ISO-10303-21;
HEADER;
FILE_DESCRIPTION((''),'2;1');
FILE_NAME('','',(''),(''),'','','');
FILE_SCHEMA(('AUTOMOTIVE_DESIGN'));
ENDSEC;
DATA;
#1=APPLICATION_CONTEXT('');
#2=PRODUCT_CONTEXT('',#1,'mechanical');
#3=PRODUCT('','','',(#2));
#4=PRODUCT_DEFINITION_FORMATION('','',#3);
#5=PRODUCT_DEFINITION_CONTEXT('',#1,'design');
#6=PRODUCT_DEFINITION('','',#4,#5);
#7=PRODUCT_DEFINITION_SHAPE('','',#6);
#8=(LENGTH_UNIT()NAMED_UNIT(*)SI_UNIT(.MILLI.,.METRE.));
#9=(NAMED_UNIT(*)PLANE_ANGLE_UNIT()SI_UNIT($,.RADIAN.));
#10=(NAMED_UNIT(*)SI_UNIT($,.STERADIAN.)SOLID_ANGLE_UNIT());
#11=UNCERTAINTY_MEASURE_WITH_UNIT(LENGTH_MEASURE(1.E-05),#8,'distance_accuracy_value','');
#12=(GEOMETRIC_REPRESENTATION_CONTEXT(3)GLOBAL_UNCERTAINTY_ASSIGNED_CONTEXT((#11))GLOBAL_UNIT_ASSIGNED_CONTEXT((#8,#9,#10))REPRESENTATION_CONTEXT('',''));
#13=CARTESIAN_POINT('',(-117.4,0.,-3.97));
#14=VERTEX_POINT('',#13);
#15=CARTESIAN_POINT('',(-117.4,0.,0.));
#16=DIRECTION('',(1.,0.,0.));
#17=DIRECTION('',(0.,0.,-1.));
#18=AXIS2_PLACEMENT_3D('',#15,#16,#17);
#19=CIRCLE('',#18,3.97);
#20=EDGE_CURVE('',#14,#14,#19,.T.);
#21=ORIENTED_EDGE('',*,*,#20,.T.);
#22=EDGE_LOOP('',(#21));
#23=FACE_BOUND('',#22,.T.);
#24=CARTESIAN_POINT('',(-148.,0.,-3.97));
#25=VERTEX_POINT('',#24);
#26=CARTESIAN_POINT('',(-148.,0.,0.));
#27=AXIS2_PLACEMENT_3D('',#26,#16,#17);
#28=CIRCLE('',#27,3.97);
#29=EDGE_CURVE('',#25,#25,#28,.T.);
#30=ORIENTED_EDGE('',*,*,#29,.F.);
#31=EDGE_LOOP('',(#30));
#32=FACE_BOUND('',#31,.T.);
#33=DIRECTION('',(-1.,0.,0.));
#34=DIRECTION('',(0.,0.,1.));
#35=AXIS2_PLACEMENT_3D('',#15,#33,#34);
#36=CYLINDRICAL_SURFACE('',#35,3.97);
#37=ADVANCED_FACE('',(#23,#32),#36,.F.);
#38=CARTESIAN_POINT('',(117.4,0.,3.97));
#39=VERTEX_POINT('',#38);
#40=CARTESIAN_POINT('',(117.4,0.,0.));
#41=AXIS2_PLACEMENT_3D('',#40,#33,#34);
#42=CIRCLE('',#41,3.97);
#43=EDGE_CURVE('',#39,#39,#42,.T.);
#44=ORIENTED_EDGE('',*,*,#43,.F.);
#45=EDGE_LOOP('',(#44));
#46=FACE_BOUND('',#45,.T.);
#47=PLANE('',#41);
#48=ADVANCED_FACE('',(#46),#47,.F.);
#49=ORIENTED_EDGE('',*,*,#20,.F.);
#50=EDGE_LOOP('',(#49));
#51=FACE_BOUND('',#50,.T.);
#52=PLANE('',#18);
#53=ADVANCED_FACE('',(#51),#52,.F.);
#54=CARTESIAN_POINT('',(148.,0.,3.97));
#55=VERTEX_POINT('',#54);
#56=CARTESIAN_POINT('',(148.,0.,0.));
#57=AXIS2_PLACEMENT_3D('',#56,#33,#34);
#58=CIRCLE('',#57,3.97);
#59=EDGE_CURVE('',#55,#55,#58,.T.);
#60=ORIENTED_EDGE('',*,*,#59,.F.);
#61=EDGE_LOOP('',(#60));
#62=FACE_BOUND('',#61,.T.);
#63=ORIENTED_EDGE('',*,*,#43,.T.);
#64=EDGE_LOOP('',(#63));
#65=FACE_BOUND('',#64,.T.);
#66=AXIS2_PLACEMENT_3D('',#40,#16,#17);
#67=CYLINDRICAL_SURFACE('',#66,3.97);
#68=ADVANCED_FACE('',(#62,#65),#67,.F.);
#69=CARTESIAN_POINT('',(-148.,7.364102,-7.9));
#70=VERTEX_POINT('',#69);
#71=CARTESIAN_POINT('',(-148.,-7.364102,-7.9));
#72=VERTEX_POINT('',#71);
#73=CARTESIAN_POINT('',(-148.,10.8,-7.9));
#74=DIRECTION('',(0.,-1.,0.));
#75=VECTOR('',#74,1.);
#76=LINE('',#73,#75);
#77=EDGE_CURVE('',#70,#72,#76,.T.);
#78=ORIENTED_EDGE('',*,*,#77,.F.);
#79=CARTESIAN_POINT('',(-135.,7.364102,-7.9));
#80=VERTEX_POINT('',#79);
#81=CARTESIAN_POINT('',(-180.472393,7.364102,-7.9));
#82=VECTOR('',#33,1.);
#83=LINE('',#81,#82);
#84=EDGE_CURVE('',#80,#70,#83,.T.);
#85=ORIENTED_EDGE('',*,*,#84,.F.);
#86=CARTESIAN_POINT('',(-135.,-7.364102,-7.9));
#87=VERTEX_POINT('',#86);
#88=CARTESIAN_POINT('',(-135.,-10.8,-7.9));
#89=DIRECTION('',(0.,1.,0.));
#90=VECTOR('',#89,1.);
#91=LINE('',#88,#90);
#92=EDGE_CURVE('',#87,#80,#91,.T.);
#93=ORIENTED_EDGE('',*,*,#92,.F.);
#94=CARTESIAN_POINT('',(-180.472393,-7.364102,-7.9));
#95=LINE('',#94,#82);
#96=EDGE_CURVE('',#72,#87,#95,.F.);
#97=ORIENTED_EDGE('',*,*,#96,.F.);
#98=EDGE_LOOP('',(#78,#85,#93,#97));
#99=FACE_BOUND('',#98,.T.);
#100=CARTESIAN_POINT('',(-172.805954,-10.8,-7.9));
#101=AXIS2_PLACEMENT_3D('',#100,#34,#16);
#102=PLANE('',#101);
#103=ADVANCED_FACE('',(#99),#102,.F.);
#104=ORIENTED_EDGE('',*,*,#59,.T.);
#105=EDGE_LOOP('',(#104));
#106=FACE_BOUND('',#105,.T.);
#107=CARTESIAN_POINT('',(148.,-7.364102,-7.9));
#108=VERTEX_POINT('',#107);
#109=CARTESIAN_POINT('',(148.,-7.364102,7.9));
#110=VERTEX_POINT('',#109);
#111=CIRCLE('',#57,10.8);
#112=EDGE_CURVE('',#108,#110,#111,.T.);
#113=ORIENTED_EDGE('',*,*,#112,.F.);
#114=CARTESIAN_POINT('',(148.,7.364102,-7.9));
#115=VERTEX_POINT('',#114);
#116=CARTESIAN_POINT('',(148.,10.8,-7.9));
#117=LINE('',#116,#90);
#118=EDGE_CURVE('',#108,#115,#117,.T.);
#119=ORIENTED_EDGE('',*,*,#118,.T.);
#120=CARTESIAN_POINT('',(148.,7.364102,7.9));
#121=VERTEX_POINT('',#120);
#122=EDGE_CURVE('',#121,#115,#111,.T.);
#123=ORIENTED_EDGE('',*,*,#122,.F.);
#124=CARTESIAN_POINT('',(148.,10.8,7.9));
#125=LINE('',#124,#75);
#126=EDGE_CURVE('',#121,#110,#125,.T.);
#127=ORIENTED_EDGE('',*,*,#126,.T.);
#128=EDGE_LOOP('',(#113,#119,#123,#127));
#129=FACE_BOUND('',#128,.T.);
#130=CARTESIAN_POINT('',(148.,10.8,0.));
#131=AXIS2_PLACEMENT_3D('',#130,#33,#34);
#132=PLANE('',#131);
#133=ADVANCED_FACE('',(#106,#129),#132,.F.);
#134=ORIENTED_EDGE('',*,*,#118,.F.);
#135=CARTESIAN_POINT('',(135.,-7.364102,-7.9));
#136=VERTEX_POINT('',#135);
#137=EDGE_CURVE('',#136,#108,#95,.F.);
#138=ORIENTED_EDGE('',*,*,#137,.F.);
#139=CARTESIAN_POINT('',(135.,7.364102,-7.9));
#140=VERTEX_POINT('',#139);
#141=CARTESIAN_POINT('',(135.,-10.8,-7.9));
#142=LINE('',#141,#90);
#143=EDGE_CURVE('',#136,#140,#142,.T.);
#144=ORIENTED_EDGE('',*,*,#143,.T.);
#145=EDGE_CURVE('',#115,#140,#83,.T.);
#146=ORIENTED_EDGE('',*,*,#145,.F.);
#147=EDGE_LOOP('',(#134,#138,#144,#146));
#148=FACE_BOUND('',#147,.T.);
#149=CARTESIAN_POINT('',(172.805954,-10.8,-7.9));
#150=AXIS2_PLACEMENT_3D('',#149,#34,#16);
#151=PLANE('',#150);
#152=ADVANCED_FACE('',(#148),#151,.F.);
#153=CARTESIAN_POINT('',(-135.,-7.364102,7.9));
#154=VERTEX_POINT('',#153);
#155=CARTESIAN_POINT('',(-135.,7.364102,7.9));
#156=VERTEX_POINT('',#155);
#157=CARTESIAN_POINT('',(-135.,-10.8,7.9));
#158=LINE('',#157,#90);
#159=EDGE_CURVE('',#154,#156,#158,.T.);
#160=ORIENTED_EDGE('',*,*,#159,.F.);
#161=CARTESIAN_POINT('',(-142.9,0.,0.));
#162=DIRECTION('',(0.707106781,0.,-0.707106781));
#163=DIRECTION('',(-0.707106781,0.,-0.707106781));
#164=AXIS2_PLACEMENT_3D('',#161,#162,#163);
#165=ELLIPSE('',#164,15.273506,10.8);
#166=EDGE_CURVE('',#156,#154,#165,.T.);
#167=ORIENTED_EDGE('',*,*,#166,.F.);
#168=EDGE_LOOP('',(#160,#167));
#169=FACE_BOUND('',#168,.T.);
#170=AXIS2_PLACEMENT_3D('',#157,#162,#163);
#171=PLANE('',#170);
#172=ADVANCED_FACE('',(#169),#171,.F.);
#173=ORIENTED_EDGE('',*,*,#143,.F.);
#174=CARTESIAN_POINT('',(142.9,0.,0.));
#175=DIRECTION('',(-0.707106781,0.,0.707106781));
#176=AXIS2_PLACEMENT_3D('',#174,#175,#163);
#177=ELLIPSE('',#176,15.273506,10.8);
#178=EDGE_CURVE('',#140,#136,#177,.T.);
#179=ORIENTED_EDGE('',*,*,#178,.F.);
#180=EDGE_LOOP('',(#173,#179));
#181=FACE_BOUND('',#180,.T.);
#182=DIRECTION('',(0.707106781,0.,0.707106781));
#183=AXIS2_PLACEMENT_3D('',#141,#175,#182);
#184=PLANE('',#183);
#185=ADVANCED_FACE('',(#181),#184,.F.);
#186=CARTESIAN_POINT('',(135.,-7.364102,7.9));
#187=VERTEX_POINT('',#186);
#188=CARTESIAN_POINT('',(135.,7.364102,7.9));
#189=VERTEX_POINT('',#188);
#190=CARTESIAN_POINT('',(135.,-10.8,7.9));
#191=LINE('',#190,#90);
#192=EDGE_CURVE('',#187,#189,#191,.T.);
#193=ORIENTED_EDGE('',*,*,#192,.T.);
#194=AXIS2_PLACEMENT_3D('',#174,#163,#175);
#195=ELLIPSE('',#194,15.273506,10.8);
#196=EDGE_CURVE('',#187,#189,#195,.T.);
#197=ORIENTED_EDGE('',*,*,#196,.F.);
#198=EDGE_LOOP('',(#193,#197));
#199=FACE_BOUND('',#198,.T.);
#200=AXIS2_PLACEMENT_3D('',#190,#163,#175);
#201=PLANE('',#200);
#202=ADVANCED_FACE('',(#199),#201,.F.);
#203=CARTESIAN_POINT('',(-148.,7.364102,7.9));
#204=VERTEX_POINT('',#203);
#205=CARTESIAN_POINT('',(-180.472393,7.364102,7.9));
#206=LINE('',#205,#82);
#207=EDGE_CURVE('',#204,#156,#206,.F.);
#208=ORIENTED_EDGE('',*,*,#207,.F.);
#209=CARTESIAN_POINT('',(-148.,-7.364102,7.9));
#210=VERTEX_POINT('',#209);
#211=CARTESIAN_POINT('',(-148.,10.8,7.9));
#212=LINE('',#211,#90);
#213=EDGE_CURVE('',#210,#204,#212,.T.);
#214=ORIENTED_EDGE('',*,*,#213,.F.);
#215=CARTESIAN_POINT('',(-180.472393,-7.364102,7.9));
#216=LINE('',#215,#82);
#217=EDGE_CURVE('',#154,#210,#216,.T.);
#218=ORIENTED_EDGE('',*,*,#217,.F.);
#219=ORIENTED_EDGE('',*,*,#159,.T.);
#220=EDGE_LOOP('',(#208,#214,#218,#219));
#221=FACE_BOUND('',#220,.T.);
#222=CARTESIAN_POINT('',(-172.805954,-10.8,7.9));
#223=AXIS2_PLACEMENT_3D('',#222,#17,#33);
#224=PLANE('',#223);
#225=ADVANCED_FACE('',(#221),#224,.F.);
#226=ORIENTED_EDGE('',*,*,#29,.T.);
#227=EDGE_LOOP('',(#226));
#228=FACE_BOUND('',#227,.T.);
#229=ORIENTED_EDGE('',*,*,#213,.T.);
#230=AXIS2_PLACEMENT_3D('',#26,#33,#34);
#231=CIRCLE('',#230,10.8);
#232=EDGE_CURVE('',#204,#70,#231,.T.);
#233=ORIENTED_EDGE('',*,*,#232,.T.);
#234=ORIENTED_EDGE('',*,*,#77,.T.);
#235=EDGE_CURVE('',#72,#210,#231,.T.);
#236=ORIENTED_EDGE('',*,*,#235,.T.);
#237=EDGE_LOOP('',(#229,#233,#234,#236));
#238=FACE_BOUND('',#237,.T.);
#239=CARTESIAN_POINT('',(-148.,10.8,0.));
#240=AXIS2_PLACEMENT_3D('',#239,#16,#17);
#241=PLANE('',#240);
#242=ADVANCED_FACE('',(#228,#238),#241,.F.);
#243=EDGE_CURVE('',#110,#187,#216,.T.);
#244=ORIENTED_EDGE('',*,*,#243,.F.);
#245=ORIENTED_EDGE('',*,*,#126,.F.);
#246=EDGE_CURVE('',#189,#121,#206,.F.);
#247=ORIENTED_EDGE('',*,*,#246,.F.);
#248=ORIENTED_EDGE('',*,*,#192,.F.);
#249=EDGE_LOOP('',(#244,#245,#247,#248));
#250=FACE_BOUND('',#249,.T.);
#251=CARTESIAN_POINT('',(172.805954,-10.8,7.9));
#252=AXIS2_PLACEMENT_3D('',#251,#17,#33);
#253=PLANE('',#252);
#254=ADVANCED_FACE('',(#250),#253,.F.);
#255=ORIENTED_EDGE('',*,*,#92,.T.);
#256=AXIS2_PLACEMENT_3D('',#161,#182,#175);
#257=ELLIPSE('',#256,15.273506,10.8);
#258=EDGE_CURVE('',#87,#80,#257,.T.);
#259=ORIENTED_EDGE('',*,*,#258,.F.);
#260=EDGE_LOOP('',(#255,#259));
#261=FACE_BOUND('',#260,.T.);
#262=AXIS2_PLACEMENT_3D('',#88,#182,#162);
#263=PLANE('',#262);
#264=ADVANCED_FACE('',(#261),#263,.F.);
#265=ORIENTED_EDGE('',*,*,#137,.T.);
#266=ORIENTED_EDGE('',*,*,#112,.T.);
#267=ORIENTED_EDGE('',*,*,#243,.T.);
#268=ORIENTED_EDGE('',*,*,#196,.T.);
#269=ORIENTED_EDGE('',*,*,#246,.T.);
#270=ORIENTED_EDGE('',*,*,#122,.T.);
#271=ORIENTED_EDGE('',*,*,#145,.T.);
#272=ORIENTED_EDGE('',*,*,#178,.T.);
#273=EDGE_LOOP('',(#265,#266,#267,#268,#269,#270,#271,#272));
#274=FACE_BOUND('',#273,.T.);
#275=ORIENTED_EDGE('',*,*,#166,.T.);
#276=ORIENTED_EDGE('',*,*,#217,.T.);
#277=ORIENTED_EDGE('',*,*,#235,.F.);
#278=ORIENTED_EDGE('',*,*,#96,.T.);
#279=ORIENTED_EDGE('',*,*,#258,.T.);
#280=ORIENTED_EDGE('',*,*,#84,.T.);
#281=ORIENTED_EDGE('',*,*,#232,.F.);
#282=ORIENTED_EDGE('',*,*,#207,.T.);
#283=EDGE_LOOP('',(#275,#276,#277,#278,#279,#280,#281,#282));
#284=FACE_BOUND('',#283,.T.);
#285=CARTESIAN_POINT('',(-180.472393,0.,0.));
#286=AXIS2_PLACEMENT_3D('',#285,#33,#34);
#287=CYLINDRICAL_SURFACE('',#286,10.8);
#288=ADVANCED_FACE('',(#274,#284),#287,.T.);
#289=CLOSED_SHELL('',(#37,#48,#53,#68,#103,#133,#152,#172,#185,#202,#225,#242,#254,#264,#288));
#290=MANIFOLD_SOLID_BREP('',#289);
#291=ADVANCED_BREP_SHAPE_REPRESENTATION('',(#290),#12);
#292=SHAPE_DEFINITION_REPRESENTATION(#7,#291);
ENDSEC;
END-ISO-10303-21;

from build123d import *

# Parameters (mm, degrees)
SKETCH4_W               = 296
SKETCH4_H               = 10.8
CUT_EXTRUDE1_DEPTH      = 11.8
CUT_EXTRUDE1_DEPTH_BACK = 11.8
SKETCH2_R               = 3.97
EXTRUDE2_DEPTH          = 30.6
SKETCH3_R               = 3.97
EXTRUDE3_DEPTH          = 30.6


with BuildPart() as part:
    # Sketch4 → Revolve1 (revolve)
    with BuildSketch(Plane.XY):
        with Locations((0, 5.4)):
            Rectangle(SKETCH4_W, SKETCH4_H)
    revolve(axis=Axis((-180.472392976, 0, 0), (1, 0, 0)))

    # Sketch5 → Cut-Extrude1 (cut, two sides)
    with BuildSketch(Plane(origin=(0, 0, 0), x_dir=(1, 0, 0), z_dir=(0, 1, 0))) as cut_extrude1_sk:
        Polygon((-172.80595371, 7.9), (-135, 7.9), (-126.264796731, 16.635203269), (-172.80595371, 16.635203269), align=None)
        Polygon((-172.80595371, -7.9), (-135, -7.9), (-126.264796731, -16.635203269), (-172.80595371, -16.635203269), align=None)
        Polygon((135, -7.9), (126.264796731, -16.635203269), (172.80595371, -16.635203269), (172.80595371, -7.9), align=None)
        Polygon((135, 7.9), (126.264796731, 16.635203269), (172.80595371, 16.635203269), (172.80595371, 7.9), align=None)
    extrude(amount=CUT_EXTRUDE1_DEPTH, mode=Mode.SUBTRACT)
    extrude(cut_extrude1_sk.sketch, amount=-CUT_EXTRUDE1_DEPTH_BACK, mode=Mode.SUBTRACT)

    # Sketch2 → Extrude2 (cut)
    with BuildSketch(Plane(origin=(-148, 0, 0), x_dir=(0, 0, -1), z_dir=(1, 0, 0))):
        Circle(SKETCH2_R)
    extrude(amount=EXTRUDE2_DEPTH, mode=Mode.SUBTRACT)

    # Sketch3 → Extrude3 (cut)
    with BuildSketch(Plane.ZY.offset(-148)):
        Circle(SKETCH3_R)
    extrude(amount=EXTRUDE3_DEPTH, mode=Mode.SUBTRACT)


solid = part.part
